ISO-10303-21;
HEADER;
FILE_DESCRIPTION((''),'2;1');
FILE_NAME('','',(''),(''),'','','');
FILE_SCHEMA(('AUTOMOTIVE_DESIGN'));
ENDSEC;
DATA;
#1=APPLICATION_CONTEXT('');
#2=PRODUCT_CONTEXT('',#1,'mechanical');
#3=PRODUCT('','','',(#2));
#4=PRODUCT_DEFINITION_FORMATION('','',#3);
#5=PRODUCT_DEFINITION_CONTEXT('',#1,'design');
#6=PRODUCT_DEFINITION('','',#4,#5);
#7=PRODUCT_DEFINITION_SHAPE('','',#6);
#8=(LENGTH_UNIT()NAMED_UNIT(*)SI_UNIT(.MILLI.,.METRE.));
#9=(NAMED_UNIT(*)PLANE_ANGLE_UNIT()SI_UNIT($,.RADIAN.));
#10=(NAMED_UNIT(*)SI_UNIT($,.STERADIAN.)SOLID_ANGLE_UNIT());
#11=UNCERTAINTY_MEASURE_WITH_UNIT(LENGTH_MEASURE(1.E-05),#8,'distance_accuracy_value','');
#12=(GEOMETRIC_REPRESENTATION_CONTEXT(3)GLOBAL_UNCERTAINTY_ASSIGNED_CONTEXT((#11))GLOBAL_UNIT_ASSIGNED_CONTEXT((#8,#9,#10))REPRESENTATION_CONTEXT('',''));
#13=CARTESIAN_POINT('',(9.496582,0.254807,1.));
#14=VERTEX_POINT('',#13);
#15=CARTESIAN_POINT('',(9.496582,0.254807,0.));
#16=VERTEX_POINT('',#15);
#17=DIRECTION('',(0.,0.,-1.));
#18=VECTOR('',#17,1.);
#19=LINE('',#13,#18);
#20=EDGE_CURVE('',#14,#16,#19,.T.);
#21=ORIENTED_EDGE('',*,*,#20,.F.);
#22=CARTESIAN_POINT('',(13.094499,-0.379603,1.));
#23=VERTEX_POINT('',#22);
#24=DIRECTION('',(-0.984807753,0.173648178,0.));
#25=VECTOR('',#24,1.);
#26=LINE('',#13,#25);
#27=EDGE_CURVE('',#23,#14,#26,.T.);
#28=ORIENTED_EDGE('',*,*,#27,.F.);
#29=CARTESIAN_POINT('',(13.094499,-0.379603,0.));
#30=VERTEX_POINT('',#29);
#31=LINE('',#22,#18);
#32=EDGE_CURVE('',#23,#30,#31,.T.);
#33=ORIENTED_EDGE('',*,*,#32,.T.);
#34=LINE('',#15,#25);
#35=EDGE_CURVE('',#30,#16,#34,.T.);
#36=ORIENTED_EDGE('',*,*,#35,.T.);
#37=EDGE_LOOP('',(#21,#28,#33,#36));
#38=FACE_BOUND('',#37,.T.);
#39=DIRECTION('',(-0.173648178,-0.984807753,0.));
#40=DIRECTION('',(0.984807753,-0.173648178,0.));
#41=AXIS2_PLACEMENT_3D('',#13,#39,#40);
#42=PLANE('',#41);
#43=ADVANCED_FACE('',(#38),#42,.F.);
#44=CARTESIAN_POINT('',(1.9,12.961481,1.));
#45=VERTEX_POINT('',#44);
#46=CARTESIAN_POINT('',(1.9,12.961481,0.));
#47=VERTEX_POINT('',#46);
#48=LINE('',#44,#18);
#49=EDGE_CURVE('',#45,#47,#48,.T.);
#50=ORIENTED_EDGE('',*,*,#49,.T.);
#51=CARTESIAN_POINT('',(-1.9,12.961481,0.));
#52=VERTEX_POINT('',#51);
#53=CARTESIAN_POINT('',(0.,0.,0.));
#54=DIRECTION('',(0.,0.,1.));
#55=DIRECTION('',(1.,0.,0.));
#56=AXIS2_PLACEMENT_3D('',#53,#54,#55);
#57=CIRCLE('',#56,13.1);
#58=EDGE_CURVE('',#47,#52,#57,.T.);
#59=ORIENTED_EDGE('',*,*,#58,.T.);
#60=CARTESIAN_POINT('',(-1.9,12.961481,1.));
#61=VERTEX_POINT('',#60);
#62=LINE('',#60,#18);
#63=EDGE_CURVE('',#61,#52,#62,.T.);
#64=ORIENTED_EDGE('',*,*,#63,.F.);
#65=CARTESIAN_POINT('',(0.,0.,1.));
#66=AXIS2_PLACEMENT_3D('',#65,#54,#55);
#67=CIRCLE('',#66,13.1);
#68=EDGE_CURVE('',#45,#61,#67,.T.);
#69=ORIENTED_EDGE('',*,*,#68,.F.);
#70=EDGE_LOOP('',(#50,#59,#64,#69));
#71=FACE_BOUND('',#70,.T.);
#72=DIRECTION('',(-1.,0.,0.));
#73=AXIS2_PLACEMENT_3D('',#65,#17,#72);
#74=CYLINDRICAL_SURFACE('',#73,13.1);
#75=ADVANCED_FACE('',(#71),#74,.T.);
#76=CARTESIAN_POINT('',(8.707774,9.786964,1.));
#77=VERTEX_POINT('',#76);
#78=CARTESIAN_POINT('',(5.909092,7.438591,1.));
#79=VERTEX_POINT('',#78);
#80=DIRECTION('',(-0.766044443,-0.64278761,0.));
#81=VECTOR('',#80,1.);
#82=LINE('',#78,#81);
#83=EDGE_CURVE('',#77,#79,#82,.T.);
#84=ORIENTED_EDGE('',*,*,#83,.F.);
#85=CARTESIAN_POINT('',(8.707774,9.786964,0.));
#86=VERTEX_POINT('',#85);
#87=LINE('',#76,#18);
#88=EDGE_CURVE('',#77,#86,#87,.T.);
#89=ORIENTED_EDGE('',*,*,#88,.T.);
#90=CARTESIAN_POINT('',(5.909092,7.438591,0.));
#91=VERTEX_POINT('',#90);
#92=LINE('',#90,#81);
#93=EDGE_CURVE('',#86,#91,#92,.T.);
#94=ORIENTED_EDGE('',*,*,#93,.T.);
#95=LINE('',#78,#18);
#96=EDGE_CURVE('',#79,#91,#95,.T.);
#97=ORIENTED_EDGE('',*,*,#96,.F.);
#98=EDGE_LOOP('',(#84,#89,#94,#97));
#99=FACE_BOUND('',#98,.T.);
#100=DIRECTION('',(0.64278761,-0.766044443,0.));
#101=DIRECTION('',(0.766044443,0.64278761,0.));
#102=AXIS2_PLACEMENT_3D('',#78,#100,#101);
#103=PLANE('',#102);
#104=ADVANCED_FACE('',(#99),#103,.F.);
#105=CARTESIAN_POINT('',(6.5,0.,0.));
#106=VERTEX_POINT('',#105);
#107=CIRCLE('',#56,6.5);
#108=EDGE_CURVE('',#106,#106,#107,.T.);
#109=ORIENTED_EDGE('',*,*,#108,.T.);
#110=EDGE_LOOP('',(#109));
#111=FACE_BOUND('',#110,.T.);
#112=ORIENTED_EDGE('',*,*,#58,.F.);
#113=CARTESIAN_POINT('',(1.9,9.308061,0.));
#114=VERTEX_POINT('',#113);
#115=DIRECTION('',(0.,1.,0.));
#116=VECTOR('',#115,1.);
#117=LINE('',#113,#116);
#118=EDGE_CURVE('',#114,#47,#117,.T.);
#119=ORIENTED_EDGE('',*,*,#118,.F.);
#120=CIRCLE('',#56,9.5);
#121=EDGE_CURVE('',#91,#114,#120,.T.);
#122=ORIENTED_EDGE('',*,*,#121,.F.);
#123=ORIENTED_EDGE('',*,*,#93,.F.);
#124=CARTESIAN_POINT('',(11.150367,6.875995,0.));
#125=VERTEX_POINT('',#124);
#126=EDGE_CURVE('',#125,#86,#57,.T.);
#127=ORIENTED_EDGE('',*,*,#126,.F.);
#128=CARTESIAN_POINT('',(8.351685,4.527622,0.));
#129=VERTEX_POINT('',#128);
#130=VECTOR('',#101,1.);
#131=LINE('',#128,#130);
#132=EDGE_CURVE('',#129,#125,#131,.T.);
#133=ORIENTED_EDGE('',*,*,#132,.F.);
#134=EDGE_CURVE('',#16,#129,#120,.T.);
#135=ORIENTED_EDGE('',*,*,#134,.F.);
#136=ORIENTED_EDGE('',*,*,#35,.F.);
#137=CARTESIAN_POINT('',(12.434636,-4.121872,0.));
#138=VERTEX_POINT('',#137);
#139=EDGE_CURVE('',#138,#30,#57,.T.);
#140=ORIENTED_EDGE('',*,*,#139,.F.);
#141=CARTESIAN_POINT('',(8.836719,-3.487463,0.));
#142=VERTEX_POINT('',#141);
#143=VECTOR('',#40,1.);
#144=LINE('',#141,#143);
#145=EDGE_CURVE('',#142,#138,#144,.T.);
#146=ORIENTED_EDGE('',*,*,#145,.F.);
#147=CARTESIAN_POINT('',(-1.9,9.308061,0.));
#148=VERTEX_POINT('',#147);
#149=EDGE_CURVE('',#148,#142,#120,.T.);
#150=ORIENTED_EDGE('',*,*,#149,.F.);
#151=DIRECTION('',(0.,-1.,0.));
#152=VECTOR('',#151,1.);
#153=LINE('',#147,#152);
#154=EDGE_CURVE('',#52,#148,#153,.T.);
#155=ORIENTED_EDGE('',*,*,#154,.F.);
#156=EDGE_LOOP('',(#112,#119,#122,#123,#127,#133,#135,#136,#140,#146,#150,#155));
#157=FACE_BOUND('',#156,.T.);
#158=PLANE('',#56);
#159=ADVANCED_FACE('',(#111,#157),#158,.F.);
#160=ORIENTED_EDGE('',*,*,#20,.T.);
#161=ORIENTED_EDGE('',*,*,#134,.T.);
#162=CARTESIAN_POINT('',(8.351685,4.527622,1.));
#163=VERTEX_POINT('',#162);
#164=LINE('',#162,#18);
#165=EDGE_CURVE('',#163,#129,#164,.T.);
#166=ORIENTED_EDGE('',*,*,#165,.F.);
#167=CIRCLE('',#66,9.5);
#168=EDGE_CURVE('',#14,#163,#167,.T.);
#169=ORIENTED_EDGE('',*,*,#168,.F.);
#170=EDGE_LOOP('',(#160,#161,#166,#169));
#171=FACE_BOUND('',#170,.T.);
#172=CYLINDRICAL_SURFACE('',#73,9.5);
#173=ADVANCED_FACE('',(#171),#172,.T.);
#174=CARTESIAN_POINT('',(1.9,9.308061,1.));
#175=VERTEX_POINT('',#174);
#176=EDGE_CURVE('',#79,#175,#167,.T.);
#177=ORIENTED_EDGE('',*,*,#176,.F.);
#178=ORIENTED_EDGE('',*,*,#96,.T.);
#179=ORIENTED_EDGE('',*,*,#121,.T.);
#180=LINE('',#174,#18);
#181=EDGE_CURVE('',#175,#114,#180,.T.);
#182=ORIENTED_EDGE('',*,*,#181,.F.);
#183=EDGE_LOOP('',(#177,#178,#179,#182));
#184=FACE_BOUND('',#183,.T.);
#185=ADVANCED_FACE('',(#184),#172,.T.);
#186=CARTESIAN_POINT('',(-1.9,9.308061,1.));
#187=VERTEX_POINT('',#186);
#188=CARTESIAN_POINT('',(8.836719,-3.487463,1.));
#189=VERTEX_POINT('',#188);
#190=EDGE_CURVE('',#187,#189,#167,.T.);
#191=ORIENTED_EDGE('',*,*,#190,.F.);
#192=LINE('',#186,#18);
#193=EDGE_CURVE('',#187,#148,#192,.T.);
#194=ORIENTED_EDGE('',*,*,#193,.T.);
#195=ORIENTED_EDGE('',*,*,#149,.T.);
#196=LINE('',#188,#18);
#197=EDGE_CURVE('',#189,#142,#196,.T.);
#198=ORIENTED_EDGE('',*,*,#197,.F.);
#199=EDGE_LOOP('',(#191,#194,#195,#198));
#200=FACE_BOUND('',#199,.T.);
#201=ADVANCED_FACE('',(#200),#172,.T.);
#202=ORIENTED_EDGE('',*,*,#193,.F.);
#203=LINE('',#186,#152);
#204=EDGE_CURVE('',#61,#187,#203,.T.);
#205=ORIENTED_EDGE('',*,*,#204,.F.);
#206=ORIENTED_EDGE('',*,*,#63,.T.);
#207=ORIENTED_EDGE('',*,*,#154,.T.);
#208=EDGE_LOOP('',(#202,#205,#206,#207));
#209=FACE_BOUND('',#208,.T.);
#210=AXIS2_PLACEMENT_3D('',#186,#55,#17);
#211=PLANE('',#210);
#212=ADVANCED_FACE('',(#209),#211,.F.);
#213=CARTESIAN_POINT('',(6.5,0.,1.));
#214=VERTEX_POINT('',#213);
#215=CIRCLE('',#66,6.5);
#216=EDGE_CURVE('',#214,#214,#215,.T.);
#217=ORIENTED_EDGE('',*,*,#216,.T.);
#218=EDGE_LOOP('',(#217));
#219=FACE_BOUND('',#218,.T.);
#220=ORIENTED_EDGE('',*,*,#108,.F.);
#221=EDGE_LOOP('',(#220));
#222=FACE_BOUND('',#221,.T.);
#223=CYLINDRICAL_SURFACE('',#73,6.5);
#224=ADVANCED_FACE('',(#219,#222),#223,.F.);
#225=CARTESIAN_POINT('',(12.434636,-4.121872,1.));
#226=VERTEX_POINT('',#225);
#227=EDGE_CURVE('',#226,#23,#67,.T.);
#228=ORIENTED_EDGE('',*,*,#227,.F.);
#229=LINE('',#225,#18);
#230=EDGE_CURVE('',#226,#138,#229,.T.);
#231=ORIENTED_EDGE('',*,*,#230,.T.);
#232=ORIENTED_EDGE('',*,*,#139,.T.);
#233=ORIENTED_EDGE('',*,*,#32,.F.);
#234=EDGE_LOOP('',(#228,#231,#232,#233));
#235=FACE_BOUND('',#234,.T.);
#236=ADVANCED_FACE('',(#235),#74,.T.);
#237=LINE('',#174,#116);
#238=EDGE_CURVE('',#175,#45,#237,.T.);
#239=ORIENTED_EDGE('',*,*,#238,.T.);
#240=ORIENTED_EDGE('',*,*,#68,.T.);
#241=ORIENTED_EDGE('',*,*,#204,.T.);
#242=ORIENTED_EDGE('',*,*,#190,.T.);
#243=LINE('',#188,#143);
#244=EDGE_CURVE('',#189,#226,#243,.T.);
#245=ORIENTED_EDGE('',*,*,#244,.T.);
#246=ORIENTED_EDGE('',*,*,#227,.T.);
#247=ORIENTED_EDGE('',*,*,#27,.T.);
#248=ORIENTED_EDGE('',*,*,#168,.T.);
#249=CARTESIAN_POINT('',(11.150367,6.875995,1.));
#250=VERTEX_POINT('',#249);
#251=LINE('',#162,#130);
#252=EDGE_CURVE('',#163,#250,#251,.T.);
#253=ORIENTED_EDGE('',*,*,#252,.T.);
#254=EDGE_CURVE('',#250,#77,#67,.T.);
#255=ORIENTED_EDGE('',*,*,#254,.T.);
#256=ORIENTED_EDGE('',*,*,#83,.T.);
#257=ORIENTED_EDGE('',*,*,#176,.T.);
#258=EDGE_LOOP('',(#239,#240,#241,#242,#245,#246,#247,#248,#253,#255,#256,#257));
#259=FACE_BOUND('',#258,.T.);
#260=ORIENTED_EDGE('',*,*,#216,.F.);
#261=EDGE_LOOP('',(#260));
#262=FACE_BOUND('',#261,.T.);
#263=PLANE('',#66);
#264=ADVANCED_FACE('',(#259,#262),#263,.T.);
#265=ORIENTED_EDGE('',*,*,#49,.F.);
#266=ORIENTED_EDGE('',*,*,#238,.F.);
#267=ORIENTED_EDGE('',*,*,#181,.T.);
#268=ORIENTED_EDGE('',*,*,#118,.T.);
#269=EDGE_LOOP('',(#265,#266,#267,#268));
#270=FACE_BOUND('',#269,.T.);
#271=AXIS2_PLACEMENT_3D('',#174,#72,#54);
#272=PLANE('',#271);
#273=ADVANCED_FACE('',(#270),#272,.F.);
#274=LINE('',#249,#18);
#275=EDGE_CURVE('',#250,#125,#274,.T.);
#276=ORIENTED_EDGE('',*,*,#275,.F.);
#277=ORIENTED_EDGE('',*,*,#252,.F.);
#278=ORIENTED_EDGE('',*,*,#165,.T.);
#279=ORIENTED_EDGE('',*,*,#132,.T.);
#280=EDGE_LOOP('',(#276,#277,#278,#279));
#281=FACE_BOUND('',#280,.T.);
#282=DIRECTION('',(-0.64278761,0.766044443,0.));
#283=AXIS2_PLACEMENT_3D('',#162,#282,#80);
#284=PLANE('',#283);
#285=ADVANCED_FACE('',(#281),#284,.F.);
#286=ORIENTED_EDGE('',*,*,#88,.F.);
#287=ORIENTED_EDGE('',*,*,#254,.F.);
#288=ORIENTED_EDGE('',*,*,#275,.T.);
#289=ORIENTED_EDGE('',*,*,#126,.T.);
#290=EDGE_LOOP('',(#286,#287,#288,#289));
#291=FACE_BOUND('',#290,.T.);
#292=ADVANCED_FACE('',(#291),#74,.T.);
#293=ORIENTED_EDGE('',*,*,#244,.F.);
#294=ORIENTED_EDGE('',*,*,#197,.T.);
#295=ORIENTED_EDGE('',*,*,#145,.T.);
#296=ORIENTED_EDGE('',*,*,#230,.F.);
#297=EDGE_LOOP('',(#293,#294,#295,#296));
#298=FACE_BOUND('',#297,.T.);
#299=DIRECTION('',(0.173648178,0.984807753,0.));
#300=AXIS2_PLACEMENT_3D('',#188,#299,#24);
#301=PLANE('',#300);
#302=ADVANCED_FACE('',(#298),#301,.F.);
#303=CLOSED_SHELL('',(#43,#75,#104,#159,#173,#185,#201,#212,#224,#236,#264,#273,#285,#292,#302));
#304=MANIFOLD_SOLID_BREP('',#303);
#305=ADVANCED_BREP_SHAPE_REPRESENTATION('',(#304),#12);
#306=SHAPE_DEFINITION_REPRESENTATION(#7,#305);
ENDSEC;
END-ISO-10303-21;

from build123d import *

# Parameters (mm, degrees)
SKETCH_1_R      = 6.5
EXTRUDE_1_DEPTH = 1


with BuildPart() as part:
    # 草图1 → 拉伸1 (new body)
    with BuildSketch(Plane.XY):
        with BuildLine():
            Line((8.351684881, 4.527621854), (11.150367257, 6.875995203))
            ThreePointArc((11.150367257, 6.875995203), (10.035182205, 8.420517687), (8.70777434, 9.786964087))
            Line((8.70777434, 9.786964087), (5.909091964, 7.438590737))
            ThreePointArc((5.909091964, 7.438590737), (4.014873487, 8.609923977), (1.9, 9.308061023))
            Line((1.9, 9.308061023), (1.9, 12.961481397))
            ThreePointArc((1.9, 12.961481397), (0, 13.1), (-1.9, 12.961481397))
            Line((-1.9, 12.961481397), (-1.9, 9.308061023))
            ThreePointArc((-1.9, 9.308061023), (-7.27742221, -6.106482292), (8.836719123, -3.487462565))
            Line((8.836719123, -3.487462565), (12.434635833, -4.121872355))
            ThreePointArc((12.434635833, -4.121872355), (12.900981564, -2.274791127), (13.094498908, -0.379602894))
            Line((13.094498908, -0.379602894), (9.496582198, 0.254806897))
            ThreePointArc((9.496582198, 0.254806897), (9.17629535, 2.458780928), (8.351684881, 4.527621854))
        make_face()
        Circle(SKETCH_1_R, mode=Mode.SUBTRACT)
    extrude(amount=EXTRUDE_1_DEPTH)


solid = part.part
